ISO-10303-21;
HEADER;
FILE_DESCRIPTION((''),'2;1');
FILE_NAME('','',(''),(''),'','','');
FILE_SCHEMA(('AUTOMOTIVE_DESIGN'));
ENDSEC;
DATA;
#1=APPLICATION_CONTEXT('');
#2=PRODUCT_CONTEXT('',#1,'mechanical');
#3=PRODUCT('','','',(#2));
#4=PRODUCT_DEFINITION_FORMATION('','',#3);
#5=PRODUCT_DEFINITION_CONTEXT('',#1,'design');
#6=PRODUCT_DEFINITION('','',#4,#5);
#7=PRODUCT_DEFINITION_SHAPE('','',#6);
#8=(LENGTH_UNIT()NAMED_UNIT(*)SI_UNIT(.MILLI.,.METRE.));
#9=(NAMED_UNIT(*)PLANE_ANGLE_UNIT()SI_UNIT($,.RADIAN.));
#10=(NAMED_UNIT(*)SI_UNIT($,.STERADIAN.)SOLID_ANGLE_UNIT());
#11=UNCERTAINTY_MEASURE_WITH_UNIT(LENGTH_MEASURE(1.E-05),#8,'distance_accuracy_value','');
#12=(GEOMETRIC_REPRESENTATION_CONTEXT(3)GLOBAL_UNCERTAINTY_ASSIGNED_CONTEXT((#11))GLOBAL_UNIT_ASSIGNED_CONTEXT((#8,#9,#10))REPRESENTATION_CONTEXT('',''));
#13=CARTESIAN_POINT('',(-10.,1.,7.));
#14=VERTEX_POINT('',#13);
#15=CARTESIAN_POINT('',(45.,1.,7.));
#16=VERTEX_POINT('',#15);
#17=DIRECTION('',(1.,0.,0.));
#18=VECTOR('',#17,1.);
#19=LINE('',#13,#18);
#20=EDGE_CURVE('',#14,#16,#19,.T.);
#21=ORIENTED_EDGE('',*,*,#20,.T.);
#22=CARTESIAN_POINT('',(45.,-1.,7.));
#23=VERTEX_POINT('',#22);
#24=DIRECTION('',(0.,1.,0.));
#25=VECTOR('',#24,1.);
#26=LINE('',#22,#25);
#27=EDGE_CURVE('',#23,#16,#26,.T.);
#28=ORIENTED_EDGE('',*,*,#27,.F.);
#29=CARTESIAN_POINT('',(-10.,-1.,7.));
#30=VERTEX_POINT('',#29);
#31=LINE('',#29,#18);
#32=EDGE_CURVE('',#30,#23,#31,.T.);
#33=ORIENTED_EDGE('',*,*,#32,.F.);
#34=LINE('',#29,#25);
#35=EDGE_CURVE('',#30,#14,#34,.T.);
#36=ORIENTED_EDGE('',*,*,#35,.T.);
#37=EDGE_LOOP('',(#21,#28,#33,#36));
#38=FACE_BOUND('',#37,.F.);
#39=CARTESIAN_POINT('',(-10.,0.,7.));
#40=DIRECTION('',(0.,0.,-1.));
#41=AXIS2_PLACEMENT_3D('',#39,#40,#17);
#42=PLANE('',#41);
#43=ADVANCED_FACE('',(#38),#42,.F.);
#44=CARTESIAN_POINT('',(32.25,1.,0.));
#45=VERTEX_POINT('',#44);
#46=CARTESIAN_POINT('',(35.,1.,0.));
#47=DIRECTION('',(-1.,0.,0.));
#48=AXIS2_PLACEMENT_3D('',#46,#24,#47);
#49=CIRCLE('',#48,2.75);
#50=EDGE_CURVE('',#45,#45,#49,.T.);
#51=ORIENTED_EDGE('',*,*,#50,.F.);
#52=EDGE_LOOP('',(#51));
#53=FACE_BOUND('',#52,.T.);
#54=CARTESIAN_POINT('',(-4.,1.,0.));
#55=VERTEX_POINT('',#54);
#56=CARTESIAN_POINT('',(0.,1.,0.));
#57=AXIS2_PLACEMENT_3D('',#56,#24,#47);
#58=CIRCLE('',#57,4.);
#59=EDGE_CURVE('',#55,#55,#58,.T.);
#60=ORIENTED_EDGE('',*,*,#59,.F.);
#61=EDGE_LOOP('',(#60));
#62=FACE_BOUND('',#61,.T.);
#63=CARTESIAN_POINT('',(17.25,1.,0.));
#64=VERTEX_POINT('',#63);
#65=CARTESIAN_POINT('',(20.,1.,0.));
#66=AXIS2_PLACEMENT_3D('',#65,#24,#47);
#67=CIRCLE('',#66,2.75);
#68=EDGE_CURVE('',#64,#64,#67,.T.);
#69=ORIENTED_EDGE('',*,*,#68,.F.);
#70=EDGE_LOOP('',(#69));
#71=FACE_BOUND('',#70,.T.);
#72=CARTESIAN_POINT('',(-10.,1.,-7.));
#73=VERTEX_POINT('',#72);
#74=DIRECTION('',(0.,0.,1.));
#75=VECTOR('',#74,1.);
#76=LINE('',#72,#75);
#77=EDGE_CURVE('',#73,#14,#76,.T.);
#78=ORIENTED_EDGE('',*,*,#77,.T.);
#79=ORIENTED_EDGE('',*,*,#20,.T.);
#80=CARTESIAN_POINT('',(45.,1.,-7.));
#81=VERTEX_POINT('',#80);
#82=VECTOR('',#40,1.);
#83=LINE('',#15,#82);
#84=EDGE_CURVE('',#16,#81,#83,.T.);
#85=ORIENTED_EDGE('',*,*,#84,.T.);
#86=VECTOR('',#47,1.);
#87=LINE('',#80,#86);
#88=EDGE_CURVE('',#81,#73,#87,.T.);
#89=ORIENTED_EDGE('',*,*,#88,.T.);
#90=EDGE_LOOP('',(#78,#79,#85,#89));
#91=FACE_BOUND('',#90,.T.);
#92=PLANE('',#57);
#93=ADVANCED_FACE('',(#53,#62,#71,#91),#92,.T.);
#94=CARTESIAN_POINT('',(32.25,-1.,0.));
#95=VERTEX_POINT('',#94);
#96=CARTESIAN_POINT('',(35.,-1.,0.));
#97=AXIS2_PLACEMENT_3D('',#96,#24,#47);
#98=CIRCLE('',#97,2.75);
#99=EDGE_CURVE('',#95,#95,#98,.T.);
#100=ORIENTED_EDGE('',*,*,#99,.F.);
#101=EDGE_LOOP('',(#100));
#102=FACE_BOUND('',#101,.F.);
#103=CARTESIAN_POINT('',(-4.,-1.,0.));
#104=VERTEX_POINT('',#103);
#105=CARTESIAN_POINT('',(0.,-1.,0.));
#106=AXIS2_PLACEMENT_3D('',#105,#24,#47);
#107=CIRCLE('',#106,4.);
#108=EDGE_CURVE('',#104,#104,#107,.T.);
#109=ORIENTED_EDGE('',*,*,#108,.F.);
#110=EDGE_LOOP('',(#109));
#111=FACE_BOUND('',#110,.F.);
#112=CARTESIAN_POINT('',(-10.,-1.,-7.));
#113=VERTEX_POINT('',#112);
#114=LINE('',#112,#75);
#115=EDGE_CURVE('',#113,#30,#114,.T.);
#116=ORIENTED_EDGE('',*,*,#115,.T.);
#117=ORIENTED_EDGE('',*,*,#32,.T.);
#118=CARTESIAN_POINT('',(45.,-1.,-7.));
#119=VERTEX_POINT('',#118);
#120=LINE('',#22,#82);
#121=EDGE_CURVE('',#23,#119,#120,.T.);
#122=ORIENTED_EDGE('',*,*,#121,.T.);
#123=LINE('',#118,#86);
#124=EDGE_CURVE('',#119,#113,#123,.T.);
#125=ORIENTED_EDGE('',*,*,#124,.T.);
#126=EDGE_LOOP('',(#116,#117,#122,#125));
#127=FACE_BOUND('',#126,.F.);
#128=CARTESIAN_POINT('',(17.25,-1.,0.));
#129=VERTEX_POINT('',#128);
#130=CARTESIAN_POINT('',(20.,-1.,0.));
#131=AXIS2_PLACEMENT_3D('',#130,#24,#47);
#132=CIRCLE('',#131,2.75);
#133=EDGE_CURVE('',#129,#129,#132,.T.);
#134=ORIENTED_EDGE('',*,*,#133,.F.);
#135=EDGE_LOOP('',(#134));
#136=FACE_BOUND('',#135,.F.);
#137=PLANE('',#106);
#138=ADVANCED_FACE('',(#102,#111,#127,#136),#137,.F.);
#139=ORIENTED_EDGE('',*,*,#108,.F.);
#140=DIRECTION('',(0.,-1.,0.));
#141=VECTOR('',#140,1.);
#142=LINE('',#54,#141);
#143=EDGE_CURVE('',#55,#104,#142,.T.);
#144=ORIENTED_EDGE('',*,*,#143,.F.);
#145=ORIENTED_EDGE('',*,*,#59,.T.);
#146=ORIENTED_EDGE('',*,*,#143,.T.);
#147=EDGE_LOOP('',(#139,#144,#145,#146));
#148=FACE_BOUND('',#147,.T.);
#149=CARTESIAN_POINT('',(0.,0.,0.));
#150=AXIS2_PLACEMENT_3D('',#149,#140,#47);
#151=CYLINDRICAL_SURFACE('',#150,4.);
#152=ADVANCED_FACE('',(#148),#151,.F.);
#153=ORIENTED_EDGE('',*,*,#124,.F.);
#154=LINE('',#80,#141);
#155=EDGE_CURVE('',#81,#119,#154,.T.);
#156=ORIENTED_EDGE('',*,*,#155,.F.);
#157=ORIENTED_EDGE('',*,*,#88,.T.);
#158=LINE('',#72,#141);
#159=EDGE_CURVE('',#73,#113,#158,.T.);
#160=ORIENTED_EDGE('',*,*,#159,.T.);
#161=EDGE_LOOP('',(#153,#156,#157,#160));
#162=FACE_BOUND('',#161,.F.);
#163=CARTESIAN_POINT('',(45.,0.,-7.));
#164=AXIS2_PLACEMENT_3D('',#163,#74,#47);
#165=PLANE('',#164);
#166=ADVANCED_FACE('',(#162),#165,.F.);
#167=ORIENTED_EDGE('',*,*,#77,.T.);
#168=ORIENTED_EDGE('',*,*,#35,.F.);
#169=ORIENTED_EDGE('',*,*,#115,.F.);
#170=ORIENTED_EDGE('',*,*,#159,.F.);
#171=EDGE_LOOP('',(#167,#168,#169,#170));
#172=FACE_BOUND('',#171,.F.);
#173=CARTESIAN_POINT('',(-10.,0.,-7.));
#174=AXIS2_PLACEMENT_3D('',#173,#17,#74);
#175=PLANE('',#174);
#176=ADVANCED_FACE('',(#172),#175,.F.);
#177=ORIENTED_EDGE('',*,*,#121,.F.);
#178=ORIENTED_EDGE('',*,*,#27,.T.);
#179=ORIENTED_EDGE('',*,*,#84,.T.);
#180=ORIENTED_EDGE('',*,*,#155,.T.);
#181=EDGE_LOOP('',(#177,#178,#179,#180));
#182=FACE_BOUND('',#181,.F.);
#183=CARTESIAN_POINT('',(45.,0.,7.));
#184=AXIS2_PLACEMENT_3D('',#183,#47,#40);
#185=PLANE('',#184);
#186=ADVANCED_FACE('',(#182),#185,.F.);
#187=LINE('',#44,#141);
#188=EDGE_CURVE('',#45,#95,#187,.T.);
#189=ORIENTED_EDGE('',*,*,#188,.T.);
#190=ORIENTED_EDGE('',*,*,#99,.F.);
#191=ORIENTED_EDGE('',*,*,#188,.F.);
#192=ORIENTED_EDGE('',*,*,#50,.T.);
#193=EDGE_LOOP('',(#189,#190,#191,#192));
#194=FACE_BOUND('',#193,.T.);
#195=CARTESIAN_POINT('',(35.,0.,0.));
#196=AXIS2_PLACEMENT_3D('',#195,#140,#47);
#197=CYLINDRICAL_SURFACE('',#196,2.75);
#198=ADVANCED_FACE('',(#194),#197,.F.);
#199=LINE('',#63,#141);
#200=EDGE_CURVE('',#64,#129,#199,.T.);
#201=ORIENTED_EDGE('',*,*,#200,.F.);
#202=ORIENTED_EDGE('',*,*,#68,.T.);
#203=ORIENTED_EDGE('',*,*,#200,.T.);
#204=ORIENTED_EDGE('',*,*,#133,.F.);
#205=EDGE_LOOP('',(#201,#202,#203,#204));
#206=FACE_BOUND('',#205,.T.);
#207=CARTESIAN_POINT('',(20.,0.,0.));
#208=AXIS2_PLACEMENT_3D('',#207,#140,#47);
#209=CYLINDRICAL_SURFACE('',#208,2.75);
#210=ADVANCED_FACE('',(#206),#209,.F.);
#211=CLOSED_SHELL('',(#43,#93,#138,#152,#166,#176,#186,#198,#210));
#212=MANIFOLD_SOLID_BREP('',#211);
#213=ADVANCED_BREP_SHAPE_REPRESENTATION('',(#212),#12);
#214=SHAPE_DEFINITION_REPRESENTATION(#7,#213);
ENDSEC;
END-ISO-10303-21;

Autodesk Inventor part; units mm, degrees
sketch "Sketch_1" plane through (0, 0, 0) normal (0, 1, 0) x (-1, 0, 0)
  line L0 (10, 7) -> (-45, 7)
  line L1 (-45, 7) -> (-45, -7)
  line L2 (-45, -7) -> (10, -7)
  line L3 (10, -7) -> (10, 7)
  circle A0 centre (-35, 0) radius 2.75
  circle A1 centre (-20, 0) radius 2.75
  circle A2 centre (0, 0) radius 4
extrude "Extrusion1" add sketch "Sketch_1" along normal mid plane 2
ref_plane "PLATE_BUFFER_XY" through (0, 0, 0) normal (0, -1, 0) x (1, 0, 0)
ref_plane "PLATE_BUFFER_YZ" through (0, 0, 0) normal (1, 0, 0) x (0, 0, 1)
ref_plane "PLATE_BUFFER_ZX" through (0, 0, 0) normal (0, 0, 1) x (0, -1, 0)
properties part number "ZPT2_8_B_PLATE"
